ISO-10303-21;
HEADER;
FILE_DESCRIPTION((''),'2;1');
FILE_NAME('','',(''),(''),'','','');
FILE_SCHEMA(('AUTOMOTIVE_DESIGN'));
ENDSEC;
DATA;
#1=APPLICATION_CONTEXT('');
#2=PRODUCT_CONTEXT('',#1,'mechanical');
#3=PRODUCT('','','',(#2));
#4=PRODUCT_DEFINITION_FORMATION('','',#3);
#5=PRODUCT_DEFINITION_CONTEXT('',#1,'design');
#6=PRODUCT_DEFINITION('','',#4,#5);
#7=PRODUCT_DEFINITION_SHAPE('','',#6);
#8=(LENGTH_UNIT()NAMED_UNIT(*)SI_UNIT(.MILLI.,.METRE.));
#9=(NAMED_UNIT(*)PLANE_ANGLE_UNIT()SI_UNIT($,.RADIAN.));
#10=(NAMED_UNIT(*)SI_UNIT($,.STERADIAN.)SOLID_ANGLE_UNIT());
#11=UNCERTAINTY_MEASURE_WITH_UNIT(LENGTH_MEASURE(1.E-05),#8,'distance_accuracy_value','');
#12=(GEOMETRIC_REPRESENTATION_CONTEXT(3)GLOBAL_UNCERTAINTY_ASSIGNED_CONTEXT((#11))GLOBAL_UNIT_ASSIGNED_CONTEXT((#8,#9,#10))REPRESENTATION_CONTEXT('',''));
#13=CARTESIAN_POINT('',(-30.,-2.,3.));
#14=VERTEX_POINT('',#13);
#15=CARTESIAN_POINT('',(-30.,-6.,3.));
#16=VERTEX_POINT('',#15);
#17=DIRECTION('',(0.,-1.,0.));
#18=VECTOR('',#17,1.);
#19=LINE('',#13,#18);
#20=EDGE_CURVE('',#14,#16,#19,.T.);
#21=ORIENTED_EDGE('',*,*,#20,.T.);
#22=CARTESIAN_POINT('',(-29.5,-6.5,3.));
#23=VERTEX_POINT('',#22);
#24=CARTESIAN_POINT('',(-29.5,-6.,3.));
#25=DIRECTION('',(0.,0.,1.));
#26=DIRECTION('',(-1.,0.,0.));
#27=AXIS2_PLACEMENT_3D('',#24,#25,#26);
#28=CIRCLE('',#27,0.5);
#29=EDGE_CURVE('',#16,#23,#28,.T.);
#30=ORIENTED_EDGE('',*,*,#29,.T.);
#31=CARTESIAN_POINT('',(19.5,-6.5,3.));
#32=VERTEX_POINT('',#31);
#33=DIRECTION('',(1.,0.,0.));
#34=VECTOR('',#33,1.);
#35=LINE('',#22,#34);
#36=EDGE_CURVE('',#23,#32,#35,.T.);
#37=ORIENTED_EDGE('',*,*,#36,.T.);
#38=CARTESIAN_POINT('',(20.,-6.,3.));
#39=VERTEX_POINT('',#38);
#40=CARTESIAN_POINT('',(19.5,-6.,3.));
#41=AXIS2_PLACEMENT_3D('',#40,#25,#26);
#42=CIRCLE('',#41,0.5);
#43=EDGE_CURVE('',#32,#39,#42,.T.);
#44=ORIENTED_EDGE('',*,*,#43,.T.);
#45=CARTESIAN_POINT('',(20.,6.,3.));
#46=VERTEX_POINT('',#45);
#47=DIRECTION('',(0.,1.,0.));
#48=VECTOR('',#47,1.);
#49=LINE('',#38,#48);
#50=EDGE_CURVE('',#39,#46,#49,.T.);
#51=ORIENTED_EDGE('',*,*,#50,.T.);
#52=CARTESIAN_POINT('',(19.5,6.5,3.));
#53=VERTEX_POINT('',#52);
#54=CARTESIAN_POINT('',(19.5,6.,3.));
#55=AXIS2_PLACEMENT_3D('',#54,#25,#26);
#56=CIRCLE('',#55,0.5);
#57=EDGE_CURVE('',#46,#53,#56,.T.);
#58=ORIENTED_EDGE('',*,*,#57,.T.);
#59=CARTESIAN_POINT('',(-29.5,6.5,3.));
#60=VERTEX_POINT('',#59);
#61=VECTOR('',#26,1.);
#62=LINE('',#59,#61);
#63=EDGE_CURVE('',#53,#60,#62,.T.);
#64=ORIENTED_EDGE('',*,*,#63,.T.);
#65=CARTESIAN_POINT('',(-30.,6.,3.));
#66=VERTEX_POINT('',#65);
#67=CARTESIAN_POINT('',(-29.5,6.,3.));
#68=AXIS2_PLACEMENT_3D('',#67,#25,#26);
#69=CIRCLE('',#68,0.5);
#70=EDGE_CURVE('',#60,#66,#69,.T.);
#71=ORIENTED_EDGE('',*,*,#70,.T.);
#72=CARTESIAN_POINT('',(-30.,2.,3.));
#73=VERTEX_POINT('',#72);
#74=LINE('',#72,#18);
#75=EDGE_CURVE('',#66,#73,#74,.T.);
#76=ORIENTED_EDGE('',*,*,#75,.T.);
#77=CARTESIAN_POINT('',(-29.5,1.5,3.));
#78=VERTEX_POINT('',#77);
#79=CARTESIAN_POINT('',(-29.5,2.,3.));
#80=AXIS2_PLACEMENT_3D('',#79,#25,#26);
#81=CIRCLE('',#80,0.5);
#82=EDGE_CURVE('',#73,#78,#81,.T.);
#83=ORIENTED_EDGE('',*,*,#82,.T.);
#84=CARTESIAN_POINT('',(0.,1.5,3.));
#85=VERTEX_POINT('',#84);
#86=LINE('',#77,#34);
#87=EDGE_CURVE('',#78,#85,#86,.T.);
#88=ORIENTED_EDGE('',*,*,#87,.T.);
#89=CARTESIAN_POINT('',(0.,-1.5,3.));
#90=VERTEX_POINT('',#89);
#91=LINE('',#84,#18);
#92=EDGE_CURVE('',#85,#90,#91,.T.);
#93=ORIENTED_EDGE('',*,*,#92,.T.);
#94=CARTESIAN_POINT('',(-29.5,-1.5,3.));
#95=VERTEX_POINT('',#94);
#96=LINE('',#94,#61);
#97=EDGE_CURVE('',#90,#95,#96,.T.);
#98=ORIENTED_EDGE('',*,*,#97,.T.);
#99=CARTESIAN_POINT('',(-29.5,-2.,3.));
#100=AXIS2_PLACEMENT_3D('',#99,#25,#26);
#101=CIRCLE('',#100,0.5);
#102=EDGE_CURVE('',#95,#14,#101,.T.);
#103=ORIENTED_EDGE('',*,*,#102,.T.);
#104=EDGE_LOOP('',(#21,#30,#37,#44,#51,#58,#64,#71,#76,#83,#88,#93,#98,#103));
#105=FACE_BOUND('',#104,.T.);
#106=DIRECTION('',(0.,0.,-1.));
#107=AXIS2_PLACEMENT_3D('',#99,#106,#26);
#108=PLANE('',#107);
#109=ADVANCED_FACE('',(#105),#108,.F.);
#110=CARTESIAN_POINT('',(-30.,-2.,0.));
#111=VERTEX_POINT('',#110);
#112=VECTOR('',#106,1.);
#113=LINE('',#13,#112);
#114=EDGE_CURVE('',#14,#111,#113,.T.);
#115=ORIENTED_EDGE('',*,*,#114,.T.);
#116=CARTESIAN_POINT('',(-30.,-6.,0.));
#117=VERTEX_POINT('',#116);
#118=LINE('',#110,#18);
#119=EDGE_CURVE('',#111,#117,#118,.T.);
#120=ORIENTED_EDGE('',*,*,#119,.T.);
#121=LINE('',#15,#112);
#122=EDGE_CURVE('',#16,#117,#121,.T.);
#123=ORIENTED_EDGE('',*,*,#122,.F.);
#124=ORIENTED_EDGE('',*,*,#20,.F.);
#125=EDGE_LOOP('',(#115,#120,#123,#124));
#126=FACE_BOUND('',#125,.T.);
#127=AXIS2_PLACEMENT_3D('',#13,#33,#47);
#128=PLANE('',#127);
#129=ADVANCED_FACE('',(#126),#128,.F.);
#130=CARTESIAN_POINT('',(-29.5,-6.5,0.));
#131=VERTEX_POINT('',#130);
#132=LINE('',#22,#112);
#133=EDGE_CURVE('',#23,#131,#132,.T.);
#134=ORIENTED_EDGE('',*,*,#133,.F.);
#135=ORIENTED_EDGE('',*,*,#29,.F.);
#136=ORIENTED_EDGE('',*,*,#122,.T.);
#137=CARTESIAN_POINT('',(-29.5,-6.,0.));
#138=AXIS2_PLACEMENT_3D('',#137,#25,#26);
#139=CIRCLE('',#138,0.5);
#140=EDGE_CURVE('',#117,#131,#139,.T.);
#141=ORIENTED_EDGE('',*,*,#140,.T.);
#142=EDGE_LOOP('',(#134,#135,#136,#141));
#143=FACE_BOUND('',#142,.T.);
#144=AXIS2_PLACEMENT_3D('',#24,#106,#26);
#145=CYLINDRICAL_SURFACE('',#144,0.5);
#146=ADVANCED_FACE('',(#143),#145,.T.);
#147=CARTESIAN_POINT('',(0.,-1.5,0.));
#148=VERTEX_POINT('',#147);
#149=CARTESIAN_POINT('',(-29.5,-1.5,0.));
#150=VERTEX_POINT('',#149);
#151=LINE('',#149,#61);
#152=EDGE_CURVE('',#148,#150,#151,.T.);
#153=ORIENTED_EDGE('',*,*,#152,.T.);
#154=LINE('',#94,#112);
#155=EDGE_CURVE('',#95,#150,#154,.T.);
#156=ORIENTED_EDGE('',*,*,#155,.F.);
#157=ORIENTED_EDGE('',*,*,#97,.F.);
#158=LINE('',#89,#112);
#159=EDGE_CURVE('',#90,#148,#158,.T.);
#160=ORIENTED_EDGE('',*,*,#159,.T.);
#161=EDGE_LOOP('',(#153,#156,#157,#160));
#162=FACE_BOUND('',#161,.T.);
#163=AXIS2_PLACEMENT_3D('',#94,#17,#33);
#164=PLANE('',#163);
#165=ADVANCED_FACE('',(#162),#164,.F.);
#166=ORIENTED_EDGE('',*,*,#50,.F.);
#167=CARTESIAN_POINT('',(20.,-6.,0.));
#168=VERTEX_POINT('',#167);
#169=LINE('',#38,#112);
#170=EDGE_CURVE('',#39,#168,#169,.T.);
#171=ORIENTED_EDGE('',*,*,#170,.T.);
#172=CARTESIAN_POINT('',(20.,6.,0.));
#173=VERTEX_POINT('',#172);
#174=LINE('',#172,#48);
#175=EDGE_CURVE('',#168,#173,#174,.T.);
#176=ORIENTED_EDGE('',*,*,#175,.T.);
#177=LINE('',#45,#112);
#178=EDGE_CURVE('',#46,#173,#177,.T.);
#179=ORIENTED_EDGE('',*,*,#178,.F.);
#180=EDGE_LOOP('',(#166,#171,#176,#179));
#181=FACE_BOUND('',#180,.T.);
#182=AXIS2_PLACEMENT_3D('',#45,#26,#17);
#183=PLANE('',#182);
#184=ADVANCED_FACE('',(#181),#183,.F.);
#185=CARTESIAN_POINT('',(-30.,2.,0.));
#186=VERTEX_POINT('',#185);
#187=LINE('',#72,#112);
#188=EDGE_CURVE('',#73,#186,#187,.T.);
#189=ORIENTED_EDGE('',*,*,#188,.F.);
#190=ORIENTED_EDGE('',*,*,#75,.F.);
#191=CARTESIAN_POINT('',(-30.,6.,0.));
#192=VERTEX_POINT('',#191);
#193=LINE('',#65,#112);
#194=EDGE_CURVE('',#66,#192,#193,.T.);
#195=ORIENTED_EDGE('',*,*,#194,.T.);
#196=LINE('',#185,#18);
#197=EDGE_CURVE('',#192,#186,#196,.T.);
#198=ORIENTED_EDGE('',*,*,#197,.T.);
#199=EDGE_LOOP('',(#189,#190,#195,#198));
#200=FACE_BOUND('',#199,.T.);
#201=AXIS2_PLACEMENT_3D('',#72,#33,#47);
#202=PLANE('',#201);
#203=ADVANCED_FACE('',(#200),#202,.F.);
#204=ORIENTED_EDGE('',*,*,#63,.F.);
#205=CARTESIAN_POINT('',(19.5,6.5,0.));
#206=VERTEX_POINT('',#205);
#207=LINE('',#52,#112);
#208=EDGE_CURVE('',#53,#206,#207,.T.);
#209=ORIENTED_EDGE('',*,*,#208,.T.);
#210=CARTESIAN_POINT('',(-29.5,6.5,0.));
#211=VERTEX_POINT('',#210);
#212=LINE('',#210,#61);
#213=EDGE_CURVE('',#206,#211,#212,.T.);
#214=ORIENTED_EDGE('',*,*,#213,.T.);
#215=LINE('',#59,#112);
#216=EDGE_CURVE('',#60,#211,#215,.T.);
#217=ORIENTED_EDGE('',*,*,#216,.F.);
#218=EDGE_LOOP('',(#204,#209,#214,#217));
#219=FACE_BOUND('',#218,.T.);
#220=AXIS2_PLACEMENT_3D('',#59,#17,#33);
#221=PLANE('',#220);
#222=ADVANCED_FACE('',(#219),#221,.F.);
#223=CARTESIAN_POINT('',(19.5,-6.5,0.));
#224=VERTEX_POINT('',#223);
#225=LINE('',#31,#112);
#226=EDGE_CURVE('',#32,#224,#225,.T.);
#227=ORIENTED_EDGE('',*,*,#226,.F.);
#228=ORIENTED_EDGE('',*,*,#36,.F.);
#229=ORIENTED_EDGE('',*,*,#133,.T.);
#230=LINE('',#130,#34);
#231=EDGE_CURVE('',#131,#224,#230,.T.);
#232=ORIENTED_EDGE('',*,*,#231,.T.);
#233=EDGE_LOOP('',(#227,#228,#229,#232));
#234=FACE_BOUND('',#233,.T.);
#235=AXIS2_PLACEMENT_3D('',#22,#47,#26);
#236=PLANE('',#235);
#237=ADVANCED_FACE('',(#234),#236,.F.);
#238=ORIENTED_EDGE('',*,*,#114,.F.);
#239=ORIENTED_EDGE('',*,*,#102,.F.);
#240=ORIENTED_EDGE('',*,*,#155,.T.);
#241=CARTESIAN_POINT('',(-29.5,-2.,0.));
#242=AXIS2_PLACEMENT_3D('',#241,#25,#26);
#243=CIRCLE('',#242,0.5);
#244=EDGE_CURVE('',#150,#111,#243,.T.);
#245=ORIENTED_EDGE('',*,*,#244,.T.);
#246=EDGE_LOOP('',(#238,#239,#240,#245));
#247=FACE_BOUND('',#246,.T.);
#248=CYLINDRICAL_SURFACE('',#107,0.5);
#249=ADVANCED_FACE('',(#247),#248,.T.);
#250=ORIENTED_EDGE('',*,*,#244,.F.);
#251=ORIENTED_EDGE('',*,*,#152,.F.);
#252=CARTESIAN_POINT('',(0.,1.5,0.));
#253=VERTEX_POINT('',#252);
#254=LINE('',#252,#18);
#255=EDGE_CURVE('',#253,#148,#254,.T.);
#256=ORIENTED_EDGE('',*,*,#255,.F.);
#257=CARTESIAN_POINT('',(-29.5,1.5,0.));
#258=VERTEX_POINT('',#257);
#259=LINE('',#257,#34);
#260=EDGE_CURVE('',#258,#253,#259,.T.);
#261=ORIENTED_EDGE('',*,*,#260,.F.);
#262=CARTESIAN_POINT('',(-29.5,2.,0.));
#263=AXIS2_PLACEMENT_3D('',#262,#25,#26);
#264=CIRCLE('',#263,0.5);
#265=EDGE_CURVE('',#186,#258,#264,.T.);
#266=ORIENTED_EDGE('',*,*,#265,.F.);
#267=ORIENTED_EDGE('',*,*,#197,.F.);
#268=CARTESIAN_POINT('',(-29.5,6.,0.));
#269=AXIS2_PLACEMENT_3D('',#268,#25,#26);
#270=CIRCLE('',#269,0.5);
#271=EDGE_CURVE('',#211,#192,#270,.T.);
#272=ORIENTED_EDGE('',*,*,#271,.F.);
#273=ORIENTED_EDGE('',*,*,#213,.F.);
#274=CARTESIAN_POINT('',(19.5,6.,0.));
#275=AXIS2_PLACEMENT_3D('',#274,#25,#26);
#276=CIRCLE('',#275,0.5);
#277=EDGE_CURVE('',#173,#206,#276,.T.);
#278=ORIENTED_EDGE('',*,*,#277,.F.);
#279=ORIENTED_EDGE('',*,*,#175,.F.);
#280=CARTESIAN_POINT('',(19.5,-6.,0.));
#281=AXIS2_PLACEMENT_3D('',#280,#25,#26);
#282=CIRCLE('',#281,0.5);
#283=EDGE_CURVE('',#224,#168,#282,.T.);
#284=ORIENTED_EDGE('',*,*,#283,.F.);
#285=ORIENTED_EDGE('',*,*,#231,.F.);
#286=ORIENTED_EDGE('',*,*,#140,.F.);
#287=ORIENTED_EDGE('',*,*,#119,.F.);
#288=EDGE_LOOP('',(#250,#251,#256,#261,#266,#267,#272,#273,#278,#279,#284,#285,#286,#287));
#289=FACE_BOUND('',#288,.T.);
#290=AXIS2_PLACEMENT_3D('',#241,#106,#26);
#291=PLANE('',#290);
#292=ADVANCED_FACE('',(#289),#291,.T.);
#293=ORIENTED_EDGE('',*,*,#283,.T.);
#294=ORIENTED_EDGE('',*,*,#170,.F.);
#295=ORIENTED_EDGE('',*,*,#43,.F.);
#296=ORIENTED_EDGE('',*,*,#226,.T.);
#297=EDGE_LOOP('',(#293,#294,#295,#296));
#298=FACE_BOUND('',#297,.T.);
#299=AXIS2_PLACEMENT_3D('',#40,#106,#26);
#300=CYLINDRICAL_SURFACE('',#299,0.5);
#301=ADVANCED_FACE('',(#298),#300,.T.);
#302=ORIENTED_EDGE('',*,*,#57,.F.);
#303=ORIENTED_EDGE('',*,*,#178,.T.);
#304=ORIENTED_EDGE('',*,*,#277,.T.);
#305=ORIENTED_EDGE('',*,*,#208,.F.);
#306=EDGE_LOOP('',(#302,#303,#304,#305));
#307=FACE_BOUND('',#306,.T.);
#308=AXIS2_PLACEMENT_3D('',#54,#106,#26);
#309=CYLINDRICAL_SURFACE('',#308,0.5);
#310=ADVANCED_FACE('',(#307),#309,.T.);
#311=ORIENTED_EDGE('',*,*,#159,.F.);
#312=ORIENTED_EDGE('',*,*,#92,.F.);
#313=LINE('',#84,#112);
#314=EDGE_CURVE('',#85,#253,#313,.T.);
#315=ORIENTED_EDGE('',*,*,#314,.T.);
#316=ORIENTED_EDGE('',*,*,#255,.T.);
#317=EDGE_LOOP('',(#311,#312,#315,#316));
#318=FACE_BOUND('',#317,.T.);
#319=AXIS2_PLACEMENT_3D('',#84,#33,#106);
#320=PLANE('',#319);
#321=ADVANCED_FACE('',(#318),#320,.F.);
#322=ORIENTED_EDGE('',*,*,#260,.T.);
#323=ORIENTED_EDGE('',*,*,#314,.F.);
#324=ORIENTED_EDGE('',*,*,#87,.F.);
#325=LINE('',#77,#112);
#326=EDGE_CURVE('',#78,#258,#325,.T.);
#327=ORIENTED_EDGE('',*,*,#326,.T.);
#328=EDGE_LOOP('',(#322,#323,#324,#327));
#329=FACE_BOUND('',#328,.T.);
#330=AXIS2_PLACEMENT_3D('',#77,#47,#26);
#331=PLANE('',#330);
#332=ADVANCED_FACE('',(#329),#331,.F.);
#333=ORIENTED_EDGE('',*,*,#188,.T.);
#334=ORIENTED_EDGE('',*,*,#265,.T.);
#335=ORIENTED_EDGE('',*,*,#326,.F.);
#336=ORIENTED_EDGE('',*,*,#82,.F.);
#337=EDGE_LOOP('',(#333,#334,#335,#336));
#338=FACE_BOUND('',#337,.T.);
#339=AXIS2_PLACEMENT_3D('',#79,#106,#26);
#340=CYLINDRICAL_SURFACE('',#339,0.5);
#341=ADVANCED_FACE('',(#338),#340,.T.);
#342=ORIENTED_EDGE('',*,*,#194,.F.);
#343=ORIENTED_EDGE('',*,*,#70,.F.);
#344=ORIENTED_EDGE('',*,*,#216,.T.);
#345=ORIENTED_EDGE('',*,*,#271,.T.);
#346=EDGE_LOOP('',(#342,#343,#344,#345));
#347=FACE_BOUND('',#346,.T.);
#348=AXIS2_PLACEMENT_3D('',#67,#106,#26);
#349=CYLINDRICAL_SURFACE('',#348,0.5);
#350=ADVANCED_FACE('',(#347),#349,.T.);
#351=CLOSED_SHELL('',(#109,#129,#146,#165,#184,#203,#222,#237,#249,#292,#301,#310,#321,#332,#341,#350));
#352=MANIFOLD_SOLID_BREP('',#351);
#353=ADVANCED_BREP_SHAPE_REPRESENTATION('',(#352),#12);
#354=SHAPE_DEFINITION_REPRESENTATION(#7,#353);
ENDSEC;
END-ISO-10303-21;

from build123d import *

# Parameters (mm, degrees)
SALIENTE_EXTRUIR1_DEPTH = 3


with BuildPart() as part:
    # Croquis1 → Saliente-Extruir1 (new body)
    with BuildSketch(Plane.XY):
        with BuildLine():
            Line((-29.5, 1.5), (0, 1.5))
            Line((0, 1.5), (0, -1.5))
            Line((0, -1.5), (-29.5, -1.5))
            ThreePointArc((-29.5, -1.5), (-29.853553391, -1.646446609), (-30, -2))
            Line((-30, -2), (-30, -6))
            ThreePointArc((-30, -6), (-29.853553391, -6.353553391), (-29.5, -6.5))
            Line((-29.5, -6.5), (19.5, -6.5))
            ThreePointArc((19.5, -6.5), (19.853553391, -6.353553391), (20, -6))
            Line((20, -6), (20, 0))
            Line((20, 0), (20, 6))
            ThreePointArc((20, 6), (19.853553391, 6.353553391), (19.5, 6.5))
            Line((19.5, 6.5), (-29.5, 6.5))
            ThreePointArc((-29.5, 6.5), (-29.853553391, 6.353553391), (-30, 6))
            Line((-30, 6), (-30, 2))
            ThreePointArc((-30, 2), (-29.853553391, 1.646446609), (-29.5, 1.5))
        make_face()
    extrude(amount=SALIENTE_EXTRUIR1_DEPTH)


solid = part.part
